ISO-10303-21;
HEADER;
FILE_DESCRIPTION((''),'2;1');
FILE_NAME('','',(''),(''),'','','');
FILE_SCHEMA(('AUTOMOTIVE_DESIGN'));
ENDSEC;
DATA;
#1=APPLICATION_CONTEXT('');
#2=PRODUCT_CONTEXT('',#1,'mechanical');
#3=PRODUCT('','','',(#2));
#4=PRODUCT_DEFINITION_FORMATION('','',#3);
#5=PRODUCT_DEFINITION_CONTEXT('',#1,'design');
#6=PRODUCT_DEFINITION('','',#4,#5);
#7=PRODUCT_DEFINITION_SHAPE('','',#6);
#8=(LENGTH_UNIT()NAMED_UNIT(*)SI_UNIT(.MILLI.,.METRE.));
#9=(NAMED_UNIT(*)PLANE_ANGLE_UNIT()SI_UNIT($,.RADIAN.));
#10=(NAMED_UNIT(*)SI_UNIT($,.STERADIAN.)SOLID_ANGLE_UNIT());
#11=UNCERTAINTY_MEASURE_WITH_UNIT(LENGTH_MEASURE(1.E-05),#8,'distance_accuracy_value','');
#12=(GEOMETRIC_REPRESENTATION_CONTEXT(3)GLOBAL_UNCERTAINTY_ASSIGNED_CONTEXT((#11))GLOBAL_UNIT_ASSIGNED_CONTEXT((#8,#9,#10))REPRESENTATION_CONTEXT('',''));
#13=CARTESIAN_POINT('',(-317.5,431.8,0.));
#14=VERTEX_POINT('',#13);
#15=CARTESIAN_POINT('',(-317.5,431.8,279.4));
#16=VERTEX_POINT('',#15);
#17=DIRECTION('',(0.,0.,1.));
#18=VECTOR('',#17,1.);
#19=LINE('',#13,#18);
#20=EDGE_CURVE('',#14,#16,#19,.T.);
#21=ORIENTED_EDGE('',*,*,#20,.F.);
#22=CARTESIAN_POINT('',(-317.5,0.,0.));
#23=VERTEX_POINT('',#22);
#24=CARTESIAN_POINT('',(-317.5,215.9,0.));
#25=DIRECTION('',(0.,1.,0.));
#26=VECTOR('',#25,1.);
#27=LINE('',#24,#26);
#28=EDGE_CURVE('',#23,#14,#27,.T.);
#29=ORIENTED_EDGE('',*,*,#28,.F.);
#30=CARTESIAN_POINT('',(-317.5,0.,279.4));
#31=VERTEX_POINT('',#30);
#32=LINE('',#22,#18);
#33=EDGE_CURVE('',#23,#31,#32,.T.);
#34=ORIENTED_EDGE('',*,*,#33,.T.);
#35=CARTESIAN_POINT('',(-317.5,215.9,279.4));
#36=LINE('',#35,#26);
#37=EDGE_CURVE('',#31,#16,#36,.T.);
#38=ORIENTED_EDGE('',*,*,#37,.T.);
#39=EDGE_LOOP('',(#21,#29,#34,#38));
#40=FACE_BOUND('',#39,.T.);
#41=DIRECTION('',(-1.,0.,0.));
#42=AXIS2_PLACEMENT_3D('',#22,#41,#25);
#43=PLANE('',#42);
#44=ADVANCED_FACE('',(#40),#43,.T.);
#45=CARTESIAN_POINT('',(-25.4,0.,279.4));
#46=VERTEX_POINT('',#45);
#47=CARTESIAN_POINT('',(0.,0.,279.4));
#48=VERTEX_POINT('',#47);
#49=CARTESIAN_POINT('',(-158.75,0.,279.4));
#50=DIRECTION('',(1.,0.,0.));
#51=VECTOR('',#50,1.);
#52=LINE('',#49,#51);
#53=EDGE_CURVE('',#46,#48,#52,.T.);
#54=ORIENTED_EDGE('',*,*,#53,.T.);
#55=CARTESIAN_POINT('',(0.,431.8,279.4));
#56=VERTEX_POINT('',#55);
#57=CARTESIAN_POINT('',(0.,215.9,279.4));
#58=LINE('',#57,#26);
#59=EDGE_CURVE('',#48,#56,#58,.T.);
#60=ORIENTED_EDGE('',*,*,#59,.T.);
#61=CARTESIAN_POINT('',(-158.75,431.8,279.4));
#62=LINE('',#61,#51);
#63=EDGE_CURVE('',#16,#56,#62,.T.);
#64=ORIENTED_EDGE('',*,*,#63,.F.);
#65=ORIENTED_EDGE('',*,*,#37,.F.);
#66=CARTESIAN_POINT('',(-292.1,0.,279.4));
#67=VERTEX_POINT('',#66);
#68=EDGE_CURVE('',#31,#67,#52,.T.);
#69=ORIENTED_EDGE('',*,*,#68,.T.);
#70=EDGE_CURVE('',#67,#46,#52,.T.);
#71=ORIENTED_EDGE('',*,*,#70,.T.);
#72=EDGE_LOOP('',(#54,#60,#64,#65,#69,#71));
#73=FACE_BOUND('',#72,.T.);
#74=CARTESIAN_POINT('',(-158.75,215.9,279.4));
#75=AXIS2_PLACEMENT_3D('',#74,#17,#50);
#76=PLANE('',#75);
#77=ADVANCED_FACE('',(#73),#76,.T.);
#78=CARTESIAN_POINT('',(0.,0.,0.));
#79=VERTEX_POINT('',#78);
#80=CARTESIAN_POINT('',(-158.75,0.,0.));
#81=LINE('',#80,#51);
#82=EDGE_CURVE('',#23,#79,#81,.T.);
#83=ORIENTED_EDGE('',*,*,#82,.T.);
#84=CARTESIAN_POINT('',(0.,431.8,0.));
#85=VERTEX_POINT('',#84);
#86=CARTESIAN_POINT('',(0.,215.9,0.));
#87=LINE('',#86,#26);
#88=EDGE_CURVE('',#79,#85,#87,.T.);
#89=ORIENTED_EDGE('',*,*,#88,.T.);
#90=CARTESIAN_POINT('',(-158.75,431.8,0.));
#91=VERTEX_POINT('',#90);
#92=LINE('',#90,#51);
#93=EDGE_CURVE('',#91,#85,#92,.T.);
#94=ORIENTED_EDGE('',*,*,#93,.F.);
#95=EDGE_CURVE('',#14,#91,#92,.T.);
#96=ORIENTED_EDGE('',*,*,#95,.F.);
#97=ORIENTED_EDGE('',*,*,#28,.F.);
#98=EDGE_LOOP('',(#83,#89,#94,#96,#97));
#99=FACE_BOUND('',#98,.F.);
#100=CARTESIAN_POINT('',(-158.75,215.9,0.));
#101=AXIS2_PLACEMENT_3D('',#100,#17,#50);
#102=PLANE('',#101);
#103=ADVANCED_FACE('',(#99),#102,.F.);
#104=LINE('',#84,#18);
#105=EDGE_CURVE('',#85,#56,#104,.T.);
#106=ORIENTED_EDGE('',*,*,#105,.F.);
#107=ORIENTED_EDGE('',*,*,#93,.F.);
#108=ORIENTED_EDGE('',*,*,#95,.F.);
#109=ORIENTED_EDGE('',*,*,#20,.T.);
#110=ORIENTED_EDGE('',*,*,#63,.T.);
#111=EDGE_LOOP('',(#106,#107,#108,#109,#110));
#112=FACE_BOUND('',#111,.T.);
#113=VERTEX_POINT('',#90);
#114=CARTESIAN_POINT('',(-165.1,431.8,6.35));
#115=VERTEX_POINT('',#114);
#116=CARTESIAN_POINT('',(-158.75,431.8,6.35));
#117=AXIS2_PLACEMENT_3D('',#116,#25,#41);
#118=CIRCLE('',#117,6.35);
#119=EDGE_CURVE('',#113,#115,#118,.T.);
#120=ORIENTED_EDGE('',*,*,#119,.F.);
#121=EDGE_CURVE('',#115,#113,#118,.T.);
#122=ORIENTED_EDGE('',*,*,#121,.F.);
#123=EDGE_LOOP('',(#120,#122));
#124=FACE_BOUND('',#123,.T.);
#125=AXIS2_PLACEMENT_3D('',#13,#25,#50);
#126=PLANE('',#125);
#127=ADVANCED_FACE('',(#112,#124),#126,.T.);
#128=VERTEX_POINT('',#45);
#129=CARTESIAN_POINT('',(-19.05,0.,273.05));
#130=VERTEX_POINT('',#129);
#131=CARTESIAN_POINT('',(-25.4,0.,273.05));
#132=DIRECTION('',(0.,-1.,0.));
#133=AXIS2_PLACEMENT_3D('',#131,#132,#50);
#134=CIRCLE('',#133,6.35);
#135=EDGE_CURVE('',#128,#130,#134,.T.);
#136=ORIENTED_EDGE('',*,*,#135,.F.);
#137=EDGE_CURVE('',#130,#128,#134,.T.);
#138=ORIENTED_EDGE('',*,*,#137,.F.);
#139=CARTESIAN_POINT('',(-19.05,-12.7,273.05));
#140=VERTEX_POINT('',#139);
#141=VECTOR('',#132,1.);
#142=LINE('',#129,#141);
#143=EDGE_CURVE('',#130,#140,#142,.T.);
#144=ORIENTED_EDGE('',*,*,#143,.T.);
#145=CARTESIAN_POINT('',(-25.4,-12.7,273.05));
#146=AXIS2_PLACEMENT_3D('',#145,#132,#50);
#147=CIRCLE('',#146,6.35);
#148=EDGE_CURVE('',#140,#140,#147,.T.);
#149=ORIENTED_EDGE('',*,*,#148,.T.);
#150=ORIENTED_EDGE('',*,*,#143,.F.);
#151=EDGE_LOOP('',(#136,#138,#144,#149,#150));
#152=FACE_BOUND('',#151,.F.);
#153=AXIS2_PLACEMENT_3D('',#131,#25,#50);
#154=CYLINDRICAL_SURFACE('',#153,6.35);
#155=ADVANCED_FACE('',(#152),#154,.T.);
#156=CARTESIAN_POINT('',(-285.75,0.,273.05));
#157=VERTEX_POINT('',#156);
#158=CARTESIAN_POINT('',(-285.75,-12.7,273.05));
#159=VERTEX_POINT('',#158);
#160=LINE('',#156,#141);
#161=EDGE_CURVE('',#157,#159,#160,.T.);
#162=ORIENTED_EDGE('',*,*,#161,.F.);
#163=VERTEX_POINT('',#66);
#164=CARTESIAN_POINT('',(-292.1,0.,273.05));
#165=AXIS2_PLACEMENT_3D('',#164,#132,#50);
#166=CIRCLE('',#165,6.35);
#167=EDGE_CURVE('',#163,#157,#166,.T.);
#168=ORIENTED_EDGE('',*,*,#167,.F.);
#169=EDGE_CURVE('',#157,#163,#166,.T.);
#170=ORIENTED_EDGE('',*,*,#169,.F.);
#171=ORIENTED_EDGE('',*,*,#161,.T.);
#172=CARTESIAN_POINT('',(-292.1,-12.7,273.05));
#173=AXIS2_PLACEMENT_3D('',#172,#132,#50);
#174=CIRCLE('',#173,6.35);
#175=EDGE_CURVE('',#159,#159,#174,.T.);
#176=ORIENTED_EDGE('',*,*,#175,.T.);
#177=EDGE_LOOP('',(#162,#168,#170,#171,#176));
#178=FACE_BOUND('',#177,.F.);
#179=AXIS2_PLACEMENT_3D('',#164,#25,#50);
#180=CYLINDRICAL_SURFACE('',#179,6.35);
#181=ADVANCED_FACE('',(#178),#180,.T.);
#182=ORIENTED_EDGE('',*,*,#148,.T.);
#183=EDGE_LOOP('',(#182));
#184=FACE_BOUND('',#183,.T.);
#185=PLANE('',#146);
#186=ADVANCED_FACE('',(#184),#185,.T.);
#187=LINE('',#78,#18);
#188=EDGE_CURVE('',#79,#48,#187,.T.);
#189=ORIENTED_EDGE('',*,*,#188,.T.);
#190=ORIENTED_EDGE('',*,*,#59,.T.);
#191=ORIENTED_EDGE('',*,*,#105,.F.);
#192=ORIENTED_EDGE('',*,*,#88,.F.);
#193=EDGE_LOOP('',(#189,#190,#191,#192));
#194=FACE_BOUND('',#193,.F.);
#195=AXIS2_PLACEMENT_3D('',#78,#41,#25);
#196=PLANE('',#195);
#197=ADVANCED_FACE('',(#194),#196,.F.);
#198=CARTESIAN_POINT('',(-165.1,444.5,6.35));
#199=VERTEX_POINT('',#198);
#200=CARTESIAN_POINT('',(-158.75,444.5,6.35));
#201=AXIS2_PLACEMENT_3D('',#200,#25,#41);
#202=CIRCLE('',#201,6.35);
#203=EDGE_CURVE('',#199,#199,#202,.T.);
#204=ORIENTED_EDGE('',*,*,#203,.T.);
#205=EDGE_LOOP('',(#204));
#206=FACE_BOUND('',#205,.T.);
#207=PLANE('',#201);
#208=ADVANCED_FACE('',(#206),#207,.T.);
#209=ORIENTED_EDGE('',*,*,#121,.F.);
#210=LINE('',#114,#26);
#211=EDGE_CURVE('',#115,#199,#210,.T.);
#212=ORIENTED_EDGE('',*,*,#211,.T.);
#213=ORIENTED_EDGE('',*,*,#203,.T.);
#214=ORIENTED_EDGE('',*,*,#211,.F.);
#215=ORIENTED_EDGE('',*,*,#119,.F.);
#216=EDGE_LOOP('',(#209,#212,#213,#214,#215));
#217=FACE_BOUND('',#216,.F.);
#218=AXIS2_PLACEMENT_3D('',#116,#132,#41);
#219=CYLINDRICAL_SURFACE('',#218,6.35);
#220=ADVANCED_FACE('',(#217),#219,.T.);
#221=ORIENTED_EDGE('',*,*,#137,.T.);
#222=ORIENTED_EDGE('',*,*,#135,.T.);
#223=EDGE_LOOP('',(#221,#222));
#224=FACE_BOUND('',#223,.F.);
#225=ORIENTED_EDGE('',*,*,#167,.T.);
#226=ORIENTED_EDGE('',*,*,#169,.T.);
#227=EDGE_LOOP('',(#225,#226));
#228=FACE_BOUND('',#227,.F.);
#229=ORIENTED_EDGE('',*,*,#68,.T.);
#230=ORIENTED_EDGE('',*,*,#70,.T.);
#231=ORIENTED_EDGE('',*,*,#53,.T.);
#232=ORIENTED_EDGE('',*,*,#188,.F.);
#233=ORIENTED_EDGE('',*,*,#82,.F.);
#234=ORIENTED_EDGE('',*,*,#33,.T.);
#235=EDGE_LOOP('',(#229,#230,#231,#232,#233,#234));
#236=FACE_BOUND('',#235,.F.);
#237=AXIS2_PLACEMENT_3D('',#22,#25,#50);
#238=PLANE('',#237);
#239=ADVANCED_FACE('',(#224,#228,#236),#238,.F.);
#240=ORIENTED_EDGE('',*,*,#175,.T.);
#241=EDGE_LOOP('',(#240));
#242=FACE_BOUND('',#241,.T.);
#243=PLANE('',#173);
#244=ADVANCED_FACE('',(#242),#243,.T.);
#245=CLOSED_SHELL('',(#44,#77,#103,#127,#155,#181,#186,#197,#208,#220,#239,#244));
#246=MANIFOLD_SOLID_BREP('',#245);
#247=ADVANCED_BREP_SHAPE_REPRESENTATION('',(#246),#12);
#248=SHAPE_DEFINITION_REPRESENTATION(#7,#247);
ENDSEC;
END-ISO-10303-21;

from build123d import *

# Parameters (mm, degrees)
F0_W     = 317.5
F0_H     = 431.8
F1_DEPTH = 279.4
F2_R     = 6.35
F3_DEPTH = 12.7
F4_R     = 6.35
F5_DEPTH = 12.7


with BuildPart() as f1:
    # F0 (on Top) → F1 (new body)
    with BuildSketch(Plane.XY):
        with Locations((-158.75, 215.9)):
            Rectangle(F0_W, F0_H)
    extrude(amount=F1_DEPTH)

    # F2 (on face) → F3 (join)
    with BuildSketch(Plane(origin=(0, 431.8, 0), x_dir=(-1, 0, 0), z_dir=(0, 1, 0))):
        with Locations((158.75, 6.35)):
            Circle(F2_R)
    extrude(amount=F3_DEPTH)

    # F4 (on face) → F5 (join)
    with BuildSketch(Plane.XZ):
        with BuildLine():
            ThreePointArc((-298.45, 273.05), (-292.1, 266.7), (-285.75, 273.05))
            ThreePointArc((-285.75, 273.05), (-292.1, 279.4), (-298.45, 273.05))
        make_face()
        with Locations((-25.4, 273.05)):
            Circle(F4_R)
    extrude(amount=F5_DEPTH)


solid = f1.part
